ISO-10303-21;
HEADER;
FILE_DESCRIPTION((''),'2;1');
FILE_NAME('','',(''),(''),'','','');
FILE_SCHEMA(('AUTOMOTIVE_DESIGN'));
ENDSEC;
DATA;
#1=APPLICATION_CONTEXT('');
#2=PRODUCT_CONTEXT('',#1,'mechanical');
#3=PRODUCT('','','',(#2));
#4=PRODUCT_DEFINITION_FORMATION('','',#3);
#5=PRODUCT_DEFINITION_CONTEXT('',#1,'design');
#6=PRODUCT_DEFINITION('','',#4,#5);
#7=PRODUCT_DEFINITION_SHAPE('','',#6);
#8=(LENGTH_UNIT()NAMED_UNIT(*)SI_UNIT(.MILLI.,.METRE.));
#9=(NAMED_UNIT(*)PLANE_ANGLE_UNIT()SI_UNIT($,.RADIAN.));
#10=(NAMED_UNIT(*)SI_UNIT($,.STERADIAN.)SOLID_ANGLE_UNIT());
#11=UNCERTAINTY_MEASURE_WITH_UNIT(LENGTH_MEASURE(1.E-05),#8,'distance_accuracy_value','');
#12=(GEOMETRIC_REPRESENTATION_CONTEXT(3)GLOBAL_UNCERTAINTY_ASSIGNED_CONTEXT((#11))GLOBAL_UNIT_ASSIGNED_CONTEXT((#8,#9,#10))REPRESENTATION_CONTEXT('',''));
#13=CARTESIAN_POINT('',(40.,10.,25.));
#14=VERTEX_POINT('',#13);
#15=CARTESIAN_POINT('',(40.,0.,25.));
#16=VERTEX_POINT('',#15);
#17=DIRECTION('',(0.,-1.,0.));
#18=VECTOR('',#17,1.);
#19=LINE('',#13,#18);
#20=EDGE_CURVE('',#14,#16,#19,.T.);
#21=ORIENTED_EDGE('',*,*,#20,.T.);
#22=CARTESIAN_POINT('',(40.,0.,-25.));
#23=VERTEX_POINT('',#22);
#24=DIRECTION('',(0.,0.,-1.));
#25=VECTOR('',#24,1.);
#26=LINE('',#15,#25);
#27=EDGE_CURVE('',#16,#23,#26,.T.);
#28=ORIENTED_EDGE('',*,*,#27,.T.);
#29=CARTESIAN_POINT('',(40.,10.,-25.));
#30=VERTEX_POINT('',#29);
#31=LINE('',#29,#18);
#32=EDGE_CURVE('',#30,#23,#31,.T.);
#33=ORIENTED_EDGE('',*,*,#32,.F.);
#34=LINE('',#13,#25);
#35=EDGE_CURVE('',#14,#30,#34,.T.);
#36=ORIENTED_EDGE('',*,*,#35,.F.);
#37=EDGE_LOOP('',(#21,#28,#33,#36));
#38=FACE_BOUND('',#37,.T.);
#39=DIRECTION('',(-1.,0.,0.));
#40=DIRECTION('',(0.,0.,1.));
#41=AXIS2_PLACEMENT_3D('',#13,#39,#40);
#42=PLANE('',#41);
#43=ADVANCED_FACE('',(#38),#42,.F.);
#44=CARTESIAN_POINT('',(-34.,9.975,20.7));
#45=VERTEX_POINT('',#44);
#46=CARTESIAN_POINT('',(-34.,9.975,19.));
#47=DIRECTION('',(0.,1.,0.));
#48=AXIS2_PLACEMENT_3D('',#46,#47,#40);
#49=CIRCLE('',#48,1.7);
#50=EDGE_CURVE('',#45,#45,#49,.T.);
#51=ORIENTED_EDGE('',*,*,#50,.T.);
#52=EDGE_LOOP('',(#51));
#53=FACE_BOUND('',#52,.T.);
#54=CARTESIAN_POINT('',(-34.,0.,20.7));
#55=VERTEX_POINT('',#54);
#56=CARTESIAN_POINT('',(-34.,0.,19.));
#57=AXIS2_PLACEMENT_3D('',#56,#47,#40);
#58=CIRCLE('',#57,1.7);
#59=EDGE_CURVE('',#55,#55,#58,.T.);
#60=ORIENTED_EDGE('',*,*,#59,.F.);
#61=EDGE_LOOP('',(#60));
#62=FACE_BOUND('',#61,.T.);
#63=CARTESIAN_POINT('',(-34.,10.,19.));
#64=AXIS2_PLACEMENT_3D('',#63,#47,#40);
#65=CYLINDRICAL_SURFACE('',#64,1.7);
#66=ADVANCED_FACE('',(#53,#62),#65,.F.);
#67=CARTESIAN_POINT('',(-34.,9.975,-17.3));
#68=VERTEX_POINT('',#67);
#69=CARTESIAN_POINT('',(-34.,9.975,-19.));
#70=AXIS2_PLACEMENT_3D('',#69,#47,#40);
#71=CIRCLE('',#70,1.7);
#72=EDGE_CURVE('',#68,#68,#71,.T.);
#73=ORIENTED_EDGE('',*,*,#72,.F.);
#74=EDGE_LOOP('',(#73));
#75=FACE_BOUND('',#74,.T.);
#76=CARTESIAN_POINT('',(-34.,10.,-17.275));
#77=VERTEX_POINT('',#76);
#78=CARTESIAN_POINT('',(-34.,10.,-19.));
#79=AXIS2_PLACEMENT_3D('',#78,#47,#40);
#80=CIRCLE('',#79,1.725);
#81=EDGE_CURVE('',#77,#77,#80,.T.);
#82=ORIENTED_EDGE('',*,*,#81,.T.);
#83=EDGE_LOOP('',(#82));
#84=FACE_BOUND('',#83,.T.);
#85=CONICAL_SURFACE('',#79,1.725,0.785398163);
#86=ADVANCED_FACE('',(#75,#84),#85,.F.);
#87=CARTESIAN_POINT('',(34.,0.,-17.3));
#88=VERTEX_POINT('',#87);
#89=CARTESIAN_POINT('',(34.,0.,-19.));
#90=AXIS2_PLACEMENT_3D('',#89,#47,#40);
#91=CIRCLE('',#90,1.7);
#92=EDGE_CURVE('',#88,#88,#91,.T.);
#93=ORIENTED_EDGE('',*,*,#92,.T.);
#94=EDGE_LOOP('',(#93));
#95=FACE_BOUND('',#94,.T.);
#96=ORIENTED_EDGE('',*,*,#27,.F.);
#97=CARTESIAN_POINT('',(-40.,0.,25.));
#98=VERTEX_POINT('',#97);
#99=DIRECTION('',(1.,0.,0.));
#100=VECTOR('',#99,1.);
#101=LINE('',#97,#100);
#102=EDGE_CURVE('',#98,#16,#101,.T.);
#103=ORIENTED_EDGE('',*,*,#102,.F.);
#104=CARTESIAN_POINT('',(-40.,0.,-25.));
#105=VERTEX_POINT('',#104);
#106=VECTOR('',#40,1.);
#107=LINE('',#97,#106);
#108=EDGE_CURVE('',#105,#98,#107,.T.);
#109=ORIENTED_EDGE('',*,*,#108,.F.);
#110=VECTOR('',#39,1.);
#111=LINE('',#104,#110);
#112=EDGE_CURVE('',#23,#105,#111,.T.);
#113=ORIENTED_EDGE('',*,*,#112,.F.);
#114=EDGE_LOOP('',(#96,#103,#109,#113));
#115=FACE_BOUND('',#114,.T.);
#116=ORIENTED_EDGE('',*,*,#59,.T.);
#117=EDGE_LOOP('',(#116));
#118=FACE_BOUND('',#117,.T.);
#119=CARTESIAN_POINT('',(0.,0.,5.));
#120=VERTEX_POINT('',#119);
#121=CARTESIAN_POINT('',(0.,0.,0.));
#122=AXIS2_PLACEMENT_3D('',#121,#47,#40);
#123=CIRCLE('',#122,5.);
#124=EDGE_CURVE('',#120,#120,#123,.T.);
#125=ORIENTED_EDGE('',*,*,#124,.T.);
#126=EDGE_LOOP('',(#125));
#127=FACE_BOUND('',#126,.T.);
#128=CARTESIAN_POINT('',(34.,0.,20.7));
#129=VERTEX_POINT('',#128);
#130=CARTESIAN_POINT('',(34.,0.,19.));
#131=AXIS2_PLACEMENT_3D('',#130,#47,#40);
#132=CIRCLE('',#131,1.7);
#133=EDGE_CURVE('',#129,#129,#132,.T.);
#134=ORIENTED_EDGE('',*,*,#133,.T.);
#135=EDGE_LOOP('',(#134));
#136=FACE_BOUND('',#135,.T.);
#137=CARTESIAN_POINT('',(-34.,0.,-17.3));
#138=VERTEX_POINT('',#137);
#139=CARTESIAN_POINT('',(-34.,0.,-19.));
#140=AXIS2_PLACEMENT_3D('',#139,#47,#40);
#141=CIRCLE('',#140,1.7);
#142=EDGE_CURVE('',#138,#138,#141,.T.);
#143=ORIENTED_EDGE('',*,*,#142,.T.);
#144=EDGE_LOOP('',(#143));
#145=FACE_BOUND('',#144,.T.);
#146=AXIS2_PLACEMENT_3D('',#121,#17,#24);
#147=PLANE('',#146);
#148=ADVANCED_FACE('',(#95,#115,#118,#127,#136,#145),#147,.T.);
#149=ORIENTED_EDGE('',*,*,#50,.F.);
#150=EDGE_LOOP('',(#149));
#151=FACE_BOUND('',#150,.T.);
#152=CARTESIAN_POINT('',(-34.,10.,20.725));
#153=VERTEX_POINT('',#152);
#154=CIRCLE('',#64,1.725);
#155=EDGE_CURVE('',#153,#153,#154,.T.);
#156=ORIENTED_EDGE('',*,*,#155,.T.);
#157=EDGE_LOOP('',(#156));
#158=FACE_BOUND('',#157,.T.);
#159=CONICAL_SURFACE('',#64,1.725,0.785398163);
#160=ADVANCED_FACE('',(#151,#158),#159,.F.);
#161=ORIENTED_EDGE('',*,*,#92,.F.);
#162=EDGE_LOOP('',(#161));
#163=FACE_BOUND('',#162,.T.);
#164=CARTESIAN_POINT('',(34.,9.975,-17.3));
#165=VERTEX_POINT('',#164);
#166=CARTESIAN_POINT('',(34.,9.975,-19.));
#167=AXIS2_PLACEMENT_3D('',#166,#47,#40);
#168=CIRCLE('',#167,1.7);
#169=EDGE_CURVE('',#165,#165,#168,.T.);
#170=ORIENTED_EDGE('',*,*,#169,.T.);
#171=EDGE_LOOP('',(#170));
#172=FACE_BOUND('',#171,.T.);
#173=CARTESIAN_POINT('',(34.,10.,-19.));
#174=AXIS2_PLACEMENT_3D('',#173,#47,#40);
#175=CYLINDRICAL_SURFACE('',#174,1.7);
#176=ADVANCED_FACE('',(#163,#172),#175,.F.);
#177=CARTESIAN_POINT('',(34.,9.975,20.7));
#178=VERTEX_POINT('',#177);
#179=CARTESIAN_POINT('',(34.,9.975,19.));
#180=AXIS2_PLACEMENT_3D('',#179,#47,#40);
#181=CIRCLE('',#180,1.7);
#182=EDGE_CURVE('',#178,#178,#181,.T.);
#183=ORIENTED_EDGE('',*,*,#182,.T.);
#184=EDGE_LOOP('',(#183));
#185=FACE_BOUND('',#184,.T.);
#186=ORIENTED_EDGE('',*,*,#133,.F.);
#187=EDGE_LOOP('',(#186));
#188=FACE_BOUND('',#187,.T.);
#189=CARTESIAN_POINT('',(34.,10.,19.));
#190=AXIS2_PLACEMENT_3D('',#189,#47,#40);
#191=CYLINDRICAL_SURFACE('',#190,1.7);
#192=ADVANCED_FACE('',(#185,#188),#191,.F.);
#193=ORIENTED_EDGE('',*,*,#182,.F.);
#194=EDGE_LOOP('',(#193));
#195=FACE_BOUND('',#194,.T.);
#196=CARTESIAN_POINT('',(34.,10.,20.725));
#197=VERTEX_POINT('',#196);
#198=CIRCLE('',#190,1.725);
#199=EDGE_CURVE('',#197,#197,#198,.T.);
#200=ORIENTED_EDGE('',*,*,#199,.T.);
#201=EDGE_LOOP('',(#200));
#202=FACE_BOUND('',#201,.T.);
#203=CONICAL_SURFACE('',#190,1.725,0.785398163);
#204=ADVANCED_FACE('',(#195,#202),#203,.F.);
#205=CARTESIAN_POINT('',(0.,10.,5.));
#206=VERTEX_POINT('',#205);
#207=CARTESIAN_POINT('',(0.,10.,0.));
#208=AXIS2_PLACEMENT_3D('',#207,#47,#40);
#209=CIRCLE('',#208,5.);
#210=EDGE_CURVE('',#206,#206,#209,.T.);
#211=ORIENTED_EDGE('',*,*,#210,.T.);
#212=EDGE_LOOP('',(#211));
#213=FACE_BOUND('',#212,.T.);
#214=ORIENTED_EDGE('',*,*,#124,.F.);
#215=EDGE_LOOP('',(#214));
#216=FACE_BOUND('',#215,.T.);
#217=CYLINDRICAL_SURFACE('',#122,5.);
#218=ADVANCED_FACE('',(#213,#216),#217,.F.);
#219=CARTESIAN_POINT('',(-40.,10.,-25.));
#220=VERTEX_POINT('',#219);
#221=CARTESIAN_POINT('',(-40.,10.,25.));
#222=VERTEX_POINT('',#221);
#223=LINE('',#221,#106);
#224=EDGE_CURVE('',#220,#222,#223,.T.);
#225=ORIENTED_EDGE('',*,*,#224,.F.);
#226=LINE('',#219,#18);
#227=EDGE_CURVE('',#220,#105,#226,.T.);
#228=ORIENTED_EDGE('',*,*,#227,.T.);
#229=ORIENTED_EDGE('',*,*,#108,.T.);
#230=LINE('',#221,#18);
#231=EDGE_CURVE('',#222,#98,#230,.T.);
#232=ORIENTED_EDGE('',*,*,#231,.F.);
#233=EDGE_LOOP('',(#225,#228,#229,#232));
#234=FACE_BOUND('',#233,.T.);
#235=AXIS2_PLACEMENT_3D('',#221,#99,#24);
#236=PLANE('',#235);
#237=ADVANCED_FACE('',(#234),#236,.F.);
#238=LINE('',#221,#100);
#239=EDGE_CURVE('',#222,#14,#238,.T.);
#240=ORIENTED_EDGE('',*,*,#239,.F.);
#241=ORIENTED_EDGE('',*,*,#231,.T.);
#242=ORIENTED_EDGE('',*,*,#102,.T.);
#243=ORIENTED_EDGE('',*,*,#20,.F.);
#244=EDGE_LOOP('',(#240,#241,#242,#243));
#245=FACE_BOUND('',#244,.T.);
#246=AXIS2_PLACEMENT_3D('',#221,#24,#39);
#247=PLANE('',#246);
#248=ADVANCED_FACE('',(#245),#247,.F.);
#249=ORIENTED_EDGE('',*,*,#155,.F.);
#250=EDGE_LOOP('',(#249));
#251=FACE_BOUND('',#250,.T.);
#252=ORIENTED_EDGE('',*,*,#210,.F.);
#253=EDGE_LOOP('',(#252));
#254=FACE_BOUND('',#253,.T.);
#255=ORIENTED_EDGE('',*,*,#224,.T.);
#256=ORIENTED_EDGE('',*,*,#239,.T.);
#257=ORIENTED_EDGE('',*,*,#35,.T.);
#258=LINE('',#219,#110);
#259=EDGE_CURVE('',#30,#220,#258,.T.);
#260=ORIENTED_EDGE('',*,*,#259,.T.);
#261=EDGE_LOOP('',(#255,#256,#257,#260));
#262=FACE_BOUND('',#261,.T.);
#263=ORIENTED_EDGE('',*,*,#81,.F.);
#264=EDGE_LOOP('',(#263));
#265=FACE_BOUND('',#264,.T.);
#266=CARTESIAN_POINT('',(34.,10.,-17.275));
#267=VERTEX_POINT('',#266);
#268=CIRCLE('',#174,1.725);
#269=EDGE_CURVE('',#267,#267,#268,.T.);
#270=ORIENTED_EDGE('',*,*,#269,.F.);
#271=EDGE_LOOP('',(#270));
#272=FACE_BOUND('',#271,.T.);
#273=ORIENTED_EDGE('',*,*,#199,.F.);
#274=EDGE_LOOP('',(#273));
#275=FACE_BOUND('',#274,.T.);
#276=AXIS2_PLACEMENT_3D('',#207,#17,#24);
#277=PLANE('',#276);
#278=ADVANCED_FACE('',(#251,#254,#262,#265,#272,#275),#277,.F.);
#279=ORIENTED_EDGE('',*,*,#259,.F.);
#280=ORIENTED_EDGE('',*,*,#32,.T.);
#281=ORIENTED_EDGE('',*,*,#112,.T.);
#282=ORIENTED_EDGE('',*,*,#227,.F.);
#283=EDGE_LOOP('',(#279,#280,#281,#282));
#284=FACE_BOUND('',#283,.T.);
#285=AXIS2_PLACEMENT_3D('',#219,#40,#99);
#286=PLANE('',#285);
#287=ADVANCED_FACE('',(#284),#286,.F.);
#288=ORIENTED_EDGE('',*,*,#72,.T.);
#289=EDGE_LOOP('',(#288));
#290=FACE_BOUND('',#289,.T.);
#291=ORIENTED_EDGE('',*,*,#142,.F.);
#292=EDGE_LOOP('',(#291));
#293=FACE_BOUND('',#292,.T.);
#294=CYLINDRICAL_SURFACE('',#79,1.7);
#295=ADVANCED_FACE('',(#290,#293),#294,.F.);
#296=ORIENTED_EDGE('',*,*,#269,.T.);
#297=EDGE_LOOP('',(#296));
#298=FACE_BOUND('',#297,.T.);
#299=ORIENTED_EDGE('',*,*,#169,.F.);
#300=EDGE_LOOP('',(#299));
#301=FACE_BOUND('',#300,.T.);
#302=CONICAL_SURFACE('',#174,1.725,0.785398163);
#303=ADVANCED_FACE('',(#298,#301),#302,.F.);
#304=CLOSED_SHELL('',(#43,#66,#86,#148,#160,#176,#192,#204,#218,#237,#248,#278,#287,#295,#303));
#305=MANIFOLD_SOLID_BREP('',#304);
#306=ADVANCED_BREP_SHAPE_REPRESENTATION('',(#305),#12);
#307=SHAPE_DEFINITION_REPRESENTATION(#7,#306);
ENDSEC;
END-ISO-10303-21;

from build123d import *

# Parameters (mm, degrees)
SKETCH1_W                      = 80
SKETCH1_H                      = 50
BOSS_EXTRUDE1_DEPTH            = 10
SKETCH2_R                      = 5
CUT_EXTRUDE1_DEPTH             = 49.218253805
M3_CLEARANCE_HOLE1_D           = 3.4
M3_CLEARANCE_HOLE1_CSINK_D     = 3.45
M3_CLEARANCE_HOLE1_CSINK_ANGLE = 90


with BuildPart() as part:
    # Sketch1 → Boss-Extrude1 (new body)
    with BuildSketch(Plane(origin=(0, 0, 0), x_dir=(1, 0, 0), z_dir=(0, 1, 0))):
        Rectangle(SKETCH1_W, SKETCH1_H)
    extrude(amount=BOSS_EXTRUDE1_DEPTH)

    # Sketch2 → Cut-Extrude1 (cut, through all)
    with BuildSketch(Plane(origin=(0, 10, 0), x_dir=(1, 0, 0), z_dir=(0, 1, 0))):
        with Locations(Location((0, 0, 0), (0, 0, 270))):
            Circle(SKETCH2_R)
    extrude(amount=-CUT_EXTRUDE1_DEPTH, mode=Mode.SUBTRACT)

    # M3 Clearance Hole1 (through all)
    with Locations(Plane(origin=(0, 10, 0), x_dir=(1, 0, 0), z_dir=(0, 1, 0))):
        with Locations((-34, 19), (34, 19), (-34, -19), (34, -19)):
            CounterSinkHole(M3_CLEARANCE_HOLE1_D / 2, M3_CLEARANCE_HOLE1_CSINK_D / 2, counter_sink_angle=M3_CLEARANCE_HOLE1_CSINK_ANGLE)


solid = part.part
